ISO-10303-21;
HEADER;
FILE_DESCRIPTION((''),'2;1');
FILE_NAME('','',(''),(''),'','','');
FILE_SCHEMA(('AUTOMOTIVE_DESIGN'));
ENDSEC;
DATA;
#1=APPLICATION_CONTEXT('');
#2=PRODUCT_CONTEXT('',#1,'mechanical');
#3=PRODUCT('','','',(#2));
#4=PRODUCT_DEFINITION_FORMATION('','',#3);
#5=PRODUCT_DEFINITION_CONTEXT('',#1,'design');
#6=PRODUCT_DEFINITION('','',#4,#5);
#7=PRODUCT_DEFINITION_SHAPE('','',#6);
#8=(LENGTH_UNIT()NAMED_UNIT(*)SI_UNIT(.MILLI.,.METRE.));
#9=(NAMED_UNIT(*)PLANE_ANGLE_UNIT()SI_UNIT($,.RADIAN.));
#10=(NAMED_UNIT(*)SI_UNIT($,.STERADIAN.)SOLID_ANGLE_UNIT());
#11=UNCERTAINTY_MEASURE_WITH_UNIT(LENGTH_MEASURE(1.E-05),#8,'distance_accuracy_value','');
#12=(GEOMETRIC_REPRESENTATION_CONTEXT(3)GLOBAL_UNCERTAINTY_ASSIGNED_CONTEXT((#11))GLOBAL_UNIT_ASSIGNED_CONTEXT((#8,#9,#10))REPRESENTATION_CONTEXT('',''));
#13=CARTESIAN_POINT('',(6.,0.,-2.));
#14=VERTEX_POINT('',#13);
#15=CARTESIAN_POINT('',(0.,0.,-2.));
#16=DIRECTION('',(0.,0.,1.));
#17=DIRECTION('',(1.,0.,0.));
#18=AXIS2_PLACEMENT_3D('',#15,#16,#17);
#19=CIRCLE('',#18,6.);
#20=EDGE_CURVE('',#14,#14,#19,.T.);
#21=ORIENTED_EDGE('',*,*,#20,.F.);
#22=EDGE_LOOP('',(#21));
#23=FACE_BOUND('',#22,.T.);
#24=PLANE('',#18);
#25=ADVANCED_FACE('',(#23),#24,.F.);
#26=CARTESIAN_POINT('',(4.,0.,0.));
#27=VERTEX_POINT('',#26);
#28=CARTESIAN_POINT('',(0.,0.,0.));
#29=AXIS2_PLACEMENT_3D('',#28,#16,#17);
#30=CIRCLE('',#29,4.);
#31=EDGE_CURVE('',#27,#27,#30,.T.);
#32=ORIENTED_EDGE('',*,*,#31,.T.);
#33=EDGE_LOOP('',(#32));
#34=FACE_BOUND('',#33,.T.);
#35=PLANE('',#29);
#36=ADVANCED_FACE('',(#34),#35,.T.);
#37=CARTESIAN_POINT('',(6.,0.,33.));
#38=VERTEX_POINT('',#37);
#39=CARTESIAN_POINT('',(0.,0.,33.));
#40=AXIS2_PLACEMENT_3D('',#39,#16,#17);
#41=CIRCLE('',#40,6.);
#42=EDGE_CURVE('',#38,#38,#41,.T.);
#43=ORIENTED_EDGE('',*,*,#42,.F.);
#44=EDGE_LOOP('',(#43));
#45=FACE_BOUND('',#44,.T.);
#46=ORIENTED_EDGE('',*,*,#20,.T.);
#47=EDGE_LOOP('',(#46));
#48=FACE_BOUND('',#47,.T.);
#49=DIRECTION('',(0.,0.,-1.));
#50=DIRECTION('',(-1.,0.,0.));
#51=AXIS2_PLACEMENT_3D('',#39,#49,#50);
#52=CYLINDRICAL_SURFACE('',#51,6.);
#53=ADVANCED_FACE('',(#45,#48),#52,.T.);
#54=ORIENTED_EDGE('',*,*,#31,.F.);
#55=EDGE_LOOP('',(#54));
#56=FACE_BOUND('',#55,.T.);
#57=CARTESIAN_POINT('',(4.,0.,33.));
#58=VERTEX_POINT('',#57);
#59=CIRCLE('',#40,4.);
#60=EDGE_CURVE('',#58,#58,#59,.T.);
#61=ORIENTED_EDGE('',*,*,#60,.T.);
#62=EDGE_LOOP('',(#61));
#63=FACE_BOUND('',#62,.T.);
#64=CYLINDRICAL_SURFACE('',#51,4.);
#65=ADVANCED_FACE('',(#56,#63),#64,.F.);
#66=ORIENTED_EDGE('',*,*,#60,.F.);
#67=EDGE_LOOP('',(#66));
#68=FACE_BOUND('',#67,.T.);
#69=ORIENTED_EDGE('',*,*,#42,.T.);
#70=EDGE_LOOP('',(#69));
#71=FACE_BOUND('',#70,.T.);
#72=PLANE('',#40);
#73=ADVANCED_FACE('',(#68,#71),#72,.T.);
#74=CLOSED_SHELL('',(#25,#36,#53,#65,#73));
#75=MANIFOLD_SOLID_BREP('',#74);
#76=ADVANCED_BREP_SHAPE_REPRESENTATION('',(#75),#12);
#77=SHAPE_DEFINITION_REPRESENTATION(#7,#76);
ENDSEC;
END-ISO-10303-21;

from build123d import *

# Parameters (mm, degrees)
SKETCH1_R           = 6
SKETCH1_R_2         = 4
BOSS_EXTRUDE1_DEPTH = 33
BOSS_EXTRUDE2_START = -2
SKETCH1_2_R         = 6
BOSS_EXTRUDE2_DEPTH = 2


with BuildPart() as part:
    # Sketch1 → Boss-Extrude1 (new body)
    with BuildSketch(Plane.XY):
        Circle(SKETCH1_R)
        Circle(SKETCH1_R_2, mode=Mode.SUBTRACT)
    extrude(amount=BOSS_EXTRUDE1_DEPTH)

    # Sketch1<2> → Boss-Extrude2 (add)
    with BuildSketch(Plane.XY.offset(BOSS_EXTRUDE2_START)):
        Circle(SKETCH1_2_R)
    extrude(amount=BOSS_EXTRUDE2_DEPTH)


solid = part.part
